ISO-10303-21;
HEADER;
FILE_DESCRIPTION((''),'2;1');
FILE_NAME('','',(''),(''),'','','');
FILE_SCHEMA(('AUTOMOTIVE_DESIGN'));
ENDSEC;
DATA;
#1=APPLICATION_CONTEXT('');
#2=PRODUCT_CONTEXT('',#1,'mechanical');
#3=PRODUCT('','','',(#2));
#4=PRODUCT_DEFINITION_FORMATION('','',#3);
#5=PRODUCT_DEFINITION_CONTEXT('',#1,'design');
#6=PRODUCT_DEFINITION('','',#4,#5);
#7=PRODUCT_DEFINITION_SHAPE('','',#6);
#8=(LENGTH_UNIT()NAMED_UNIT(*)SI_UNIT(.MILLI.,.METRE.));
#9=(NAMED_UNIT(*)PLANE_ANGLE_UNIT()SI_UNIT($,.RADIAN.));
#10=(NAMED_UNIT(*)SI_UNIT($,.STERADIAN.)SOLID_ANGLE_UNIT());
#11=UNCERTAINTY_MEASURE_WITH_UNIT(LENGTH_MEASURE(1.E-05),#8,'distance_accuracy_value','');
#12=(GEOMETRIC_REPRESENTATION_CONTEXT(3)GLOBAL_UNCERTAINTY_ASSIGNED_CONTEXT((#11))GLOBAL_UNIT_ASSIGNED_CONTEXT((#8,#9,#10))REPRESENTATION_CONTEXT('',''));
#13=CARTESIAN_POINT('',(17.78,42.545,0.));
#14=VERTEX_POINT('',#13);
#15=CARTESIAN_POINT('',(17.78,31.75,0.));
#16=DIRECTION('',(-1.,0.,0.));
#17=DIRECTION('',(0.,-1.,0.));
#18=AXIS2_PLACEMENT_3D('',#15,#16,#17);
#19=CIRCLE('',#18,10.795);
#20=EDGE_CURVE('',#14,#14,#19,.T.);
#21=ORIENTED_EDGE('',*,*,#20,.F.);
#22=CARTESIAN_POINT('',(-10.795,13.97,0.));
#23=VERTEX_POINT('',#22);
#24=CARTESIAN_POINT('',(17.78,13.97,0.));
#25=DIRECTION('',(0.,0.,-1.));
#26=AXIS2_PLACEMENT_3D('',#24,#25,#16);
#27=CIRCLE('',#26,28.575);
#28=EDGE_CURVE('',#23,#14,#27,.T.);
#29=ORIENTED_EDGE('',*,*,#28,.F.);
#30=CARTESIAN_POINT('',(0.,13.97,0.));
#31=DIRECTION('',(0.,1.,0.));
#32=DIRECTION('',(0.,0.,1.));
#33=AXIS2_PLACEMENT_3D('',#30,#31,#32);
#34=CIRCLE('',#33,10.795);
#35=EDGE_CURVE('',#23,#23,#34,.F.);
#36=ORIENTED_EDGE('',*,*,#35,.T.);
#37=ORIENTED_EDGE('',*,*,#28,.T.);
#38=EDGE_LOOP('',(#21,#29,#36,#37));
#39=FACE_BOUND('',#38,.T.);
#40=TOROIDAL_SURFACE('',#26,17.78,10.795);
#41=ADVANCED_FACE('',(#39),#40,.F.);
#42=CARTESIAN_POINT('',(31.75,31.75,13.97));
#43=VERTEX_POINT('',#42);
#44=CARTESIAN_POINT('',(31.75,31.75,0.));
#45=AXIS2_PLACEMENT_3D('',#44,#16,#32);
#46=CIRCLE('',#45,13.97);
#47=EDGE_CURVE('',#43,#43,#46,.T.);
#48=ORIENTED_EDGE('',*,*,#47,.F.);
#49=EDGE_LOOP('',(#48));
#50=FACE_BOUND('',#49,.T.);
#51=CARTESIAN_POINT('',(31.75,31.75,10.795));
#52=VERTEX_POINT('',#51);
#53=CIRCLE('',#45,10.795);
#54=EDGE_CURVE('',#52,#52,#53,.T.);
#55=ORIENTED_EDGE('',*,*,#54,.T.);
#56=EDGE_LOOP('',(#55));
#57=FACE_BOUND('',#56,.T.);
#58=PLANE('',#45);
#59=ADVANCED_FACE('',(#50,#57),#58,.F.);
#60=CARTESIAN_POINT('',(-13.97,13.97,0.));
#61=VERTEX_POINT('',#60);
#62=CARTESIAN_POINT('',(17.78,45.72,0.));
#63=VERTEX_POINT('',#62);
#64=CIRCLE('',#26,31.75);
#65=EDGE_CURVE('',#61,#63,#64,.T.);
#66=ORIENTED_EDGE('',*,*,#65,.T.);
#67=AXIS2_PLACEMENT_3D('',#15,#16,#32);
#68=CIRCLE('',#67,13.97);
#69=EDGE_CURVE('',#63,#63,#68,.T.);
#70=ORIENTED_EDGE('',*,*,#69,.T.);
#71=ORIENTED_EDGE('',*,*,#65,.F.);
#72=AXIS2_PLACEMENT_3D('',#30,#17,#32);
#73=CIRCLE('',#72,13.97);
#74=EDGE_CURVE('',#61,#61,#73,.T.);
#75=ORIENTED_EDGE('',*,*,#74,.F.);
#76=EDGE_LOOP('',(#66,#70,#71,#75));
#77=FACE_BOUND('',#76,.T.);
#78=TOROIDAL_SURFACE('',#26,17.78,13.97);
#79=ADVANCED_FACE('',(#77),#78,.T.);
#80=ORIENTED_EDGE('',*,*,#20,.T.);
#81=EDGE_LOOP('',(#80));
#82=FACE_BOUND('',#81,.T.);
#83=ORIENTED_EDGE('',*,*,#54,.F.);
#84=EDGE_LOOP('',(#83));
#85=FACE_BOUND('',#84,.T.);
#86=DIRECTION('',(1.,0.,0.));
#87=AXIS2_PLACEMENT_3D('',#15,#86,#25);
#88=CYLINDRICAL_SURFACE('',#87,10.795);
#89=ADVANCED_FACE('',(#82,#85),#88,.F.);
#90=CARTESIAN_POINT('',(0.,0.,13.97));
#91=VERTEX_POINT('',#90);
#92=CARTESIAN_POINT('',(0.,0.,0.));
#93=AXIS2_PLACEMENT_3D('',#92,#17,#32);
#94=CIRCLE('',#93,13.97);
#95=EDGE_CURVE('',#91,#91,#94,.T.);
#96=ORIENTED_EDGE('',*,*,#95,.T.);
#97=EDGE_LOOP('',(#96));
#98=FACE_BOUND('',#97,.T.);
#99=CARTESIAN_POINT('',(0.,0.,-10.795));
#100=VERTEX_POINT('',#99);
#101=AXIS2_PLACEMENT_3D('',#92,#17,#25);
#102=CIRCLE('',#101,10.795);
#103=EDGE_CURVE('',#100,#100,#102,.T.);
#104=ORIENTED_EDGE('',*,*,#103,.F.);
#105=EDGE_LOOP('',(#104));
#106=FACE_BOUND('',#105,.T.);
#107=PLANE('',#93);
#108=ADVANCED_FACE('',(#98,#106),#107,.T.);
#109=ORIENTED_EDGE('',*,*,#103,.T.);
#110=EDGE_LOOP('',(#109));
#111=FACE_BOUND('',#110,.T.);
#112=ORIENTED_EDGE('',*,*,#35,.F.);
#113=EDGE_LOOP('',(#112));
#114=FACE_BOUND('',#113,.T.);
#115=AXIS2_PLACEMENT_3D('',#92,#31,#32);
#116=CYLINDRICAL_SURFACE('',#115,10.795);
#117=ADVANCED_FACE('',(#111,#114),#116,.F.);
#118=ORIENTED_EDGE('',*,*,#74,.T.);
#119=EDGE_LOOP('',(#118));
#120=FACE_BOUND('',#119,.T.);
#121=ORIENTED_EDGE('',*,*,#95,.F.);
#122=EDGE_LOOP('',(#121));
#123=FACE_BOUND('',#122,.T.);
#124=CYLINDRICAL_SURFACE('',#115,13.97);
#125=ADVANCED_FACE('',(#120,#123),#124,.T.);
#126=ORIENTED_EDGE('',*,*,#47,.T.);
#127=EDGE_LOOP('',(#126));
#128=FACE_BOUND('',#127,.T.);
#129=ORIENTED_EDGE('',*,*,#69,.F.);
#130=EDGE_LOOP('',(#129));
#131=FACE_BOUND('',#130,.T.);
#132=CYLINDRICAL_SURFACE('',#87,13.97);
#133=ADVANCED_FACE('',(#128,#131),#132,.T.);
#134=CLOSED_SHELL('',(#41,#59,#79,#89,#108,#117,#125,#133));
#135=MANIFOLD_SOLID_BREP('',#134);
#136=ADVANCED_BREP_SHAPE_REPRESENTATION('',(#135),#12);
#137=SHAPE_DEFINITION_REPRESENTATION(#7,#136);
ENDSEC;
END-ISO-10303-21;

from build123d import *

# Parameters (mm, degrees)
SWEEP1_PROFILE_R   = 13.97
SHELL1_T           = -3.175
CUT_EXTRUDE1_START = -13.208
SKETCH28_R         = 10.795
CUT_EXTRUDE1_DEPTH = 13.208


with BuildPart() as part:
    # Sweep1: sweep along a path in Sketch1
    with BuildLine(Plane.XY) as sweep1_path:
        Line((0, 0), (0, 13.97))
        ThreePointArc((0, 13.97), (5.207641431, 26.542358569), (17.78, 31.75))
        Line((17.78, 31.75), (31.75, 31.75))
    # Sweep1 profile (on start of the path) → Sweep1 (sweep)
    with BuildSketch(Plane.ZX):
        Circle(SWEEP1_PROFILE_R)
    sweep(path=sweep1_path.line)

    # Shell1
    shell1_openings = [part.faces().sort_by_distance(p)[0] for p in [
        (31.75, 31.75, 0),
    ]]
    offset(amount=SHELL1_T, openings=shell1_openings, kind=Kind.INTERSECTION)

    # Sketch28 → Cut-Extrude1 (cut)
    with BuildSketch(Plane.XZ.offset(CUT_EXTRUDE1_START)):
        with Locations(Location((0, 0, 0), (0, 0, 180))):
            Circle(SKETCH28_R)
    extrude(amount=CUT_EXTRUDE1_DEPTH, mode=Mode.SUBTRACT)


solid = part.part
